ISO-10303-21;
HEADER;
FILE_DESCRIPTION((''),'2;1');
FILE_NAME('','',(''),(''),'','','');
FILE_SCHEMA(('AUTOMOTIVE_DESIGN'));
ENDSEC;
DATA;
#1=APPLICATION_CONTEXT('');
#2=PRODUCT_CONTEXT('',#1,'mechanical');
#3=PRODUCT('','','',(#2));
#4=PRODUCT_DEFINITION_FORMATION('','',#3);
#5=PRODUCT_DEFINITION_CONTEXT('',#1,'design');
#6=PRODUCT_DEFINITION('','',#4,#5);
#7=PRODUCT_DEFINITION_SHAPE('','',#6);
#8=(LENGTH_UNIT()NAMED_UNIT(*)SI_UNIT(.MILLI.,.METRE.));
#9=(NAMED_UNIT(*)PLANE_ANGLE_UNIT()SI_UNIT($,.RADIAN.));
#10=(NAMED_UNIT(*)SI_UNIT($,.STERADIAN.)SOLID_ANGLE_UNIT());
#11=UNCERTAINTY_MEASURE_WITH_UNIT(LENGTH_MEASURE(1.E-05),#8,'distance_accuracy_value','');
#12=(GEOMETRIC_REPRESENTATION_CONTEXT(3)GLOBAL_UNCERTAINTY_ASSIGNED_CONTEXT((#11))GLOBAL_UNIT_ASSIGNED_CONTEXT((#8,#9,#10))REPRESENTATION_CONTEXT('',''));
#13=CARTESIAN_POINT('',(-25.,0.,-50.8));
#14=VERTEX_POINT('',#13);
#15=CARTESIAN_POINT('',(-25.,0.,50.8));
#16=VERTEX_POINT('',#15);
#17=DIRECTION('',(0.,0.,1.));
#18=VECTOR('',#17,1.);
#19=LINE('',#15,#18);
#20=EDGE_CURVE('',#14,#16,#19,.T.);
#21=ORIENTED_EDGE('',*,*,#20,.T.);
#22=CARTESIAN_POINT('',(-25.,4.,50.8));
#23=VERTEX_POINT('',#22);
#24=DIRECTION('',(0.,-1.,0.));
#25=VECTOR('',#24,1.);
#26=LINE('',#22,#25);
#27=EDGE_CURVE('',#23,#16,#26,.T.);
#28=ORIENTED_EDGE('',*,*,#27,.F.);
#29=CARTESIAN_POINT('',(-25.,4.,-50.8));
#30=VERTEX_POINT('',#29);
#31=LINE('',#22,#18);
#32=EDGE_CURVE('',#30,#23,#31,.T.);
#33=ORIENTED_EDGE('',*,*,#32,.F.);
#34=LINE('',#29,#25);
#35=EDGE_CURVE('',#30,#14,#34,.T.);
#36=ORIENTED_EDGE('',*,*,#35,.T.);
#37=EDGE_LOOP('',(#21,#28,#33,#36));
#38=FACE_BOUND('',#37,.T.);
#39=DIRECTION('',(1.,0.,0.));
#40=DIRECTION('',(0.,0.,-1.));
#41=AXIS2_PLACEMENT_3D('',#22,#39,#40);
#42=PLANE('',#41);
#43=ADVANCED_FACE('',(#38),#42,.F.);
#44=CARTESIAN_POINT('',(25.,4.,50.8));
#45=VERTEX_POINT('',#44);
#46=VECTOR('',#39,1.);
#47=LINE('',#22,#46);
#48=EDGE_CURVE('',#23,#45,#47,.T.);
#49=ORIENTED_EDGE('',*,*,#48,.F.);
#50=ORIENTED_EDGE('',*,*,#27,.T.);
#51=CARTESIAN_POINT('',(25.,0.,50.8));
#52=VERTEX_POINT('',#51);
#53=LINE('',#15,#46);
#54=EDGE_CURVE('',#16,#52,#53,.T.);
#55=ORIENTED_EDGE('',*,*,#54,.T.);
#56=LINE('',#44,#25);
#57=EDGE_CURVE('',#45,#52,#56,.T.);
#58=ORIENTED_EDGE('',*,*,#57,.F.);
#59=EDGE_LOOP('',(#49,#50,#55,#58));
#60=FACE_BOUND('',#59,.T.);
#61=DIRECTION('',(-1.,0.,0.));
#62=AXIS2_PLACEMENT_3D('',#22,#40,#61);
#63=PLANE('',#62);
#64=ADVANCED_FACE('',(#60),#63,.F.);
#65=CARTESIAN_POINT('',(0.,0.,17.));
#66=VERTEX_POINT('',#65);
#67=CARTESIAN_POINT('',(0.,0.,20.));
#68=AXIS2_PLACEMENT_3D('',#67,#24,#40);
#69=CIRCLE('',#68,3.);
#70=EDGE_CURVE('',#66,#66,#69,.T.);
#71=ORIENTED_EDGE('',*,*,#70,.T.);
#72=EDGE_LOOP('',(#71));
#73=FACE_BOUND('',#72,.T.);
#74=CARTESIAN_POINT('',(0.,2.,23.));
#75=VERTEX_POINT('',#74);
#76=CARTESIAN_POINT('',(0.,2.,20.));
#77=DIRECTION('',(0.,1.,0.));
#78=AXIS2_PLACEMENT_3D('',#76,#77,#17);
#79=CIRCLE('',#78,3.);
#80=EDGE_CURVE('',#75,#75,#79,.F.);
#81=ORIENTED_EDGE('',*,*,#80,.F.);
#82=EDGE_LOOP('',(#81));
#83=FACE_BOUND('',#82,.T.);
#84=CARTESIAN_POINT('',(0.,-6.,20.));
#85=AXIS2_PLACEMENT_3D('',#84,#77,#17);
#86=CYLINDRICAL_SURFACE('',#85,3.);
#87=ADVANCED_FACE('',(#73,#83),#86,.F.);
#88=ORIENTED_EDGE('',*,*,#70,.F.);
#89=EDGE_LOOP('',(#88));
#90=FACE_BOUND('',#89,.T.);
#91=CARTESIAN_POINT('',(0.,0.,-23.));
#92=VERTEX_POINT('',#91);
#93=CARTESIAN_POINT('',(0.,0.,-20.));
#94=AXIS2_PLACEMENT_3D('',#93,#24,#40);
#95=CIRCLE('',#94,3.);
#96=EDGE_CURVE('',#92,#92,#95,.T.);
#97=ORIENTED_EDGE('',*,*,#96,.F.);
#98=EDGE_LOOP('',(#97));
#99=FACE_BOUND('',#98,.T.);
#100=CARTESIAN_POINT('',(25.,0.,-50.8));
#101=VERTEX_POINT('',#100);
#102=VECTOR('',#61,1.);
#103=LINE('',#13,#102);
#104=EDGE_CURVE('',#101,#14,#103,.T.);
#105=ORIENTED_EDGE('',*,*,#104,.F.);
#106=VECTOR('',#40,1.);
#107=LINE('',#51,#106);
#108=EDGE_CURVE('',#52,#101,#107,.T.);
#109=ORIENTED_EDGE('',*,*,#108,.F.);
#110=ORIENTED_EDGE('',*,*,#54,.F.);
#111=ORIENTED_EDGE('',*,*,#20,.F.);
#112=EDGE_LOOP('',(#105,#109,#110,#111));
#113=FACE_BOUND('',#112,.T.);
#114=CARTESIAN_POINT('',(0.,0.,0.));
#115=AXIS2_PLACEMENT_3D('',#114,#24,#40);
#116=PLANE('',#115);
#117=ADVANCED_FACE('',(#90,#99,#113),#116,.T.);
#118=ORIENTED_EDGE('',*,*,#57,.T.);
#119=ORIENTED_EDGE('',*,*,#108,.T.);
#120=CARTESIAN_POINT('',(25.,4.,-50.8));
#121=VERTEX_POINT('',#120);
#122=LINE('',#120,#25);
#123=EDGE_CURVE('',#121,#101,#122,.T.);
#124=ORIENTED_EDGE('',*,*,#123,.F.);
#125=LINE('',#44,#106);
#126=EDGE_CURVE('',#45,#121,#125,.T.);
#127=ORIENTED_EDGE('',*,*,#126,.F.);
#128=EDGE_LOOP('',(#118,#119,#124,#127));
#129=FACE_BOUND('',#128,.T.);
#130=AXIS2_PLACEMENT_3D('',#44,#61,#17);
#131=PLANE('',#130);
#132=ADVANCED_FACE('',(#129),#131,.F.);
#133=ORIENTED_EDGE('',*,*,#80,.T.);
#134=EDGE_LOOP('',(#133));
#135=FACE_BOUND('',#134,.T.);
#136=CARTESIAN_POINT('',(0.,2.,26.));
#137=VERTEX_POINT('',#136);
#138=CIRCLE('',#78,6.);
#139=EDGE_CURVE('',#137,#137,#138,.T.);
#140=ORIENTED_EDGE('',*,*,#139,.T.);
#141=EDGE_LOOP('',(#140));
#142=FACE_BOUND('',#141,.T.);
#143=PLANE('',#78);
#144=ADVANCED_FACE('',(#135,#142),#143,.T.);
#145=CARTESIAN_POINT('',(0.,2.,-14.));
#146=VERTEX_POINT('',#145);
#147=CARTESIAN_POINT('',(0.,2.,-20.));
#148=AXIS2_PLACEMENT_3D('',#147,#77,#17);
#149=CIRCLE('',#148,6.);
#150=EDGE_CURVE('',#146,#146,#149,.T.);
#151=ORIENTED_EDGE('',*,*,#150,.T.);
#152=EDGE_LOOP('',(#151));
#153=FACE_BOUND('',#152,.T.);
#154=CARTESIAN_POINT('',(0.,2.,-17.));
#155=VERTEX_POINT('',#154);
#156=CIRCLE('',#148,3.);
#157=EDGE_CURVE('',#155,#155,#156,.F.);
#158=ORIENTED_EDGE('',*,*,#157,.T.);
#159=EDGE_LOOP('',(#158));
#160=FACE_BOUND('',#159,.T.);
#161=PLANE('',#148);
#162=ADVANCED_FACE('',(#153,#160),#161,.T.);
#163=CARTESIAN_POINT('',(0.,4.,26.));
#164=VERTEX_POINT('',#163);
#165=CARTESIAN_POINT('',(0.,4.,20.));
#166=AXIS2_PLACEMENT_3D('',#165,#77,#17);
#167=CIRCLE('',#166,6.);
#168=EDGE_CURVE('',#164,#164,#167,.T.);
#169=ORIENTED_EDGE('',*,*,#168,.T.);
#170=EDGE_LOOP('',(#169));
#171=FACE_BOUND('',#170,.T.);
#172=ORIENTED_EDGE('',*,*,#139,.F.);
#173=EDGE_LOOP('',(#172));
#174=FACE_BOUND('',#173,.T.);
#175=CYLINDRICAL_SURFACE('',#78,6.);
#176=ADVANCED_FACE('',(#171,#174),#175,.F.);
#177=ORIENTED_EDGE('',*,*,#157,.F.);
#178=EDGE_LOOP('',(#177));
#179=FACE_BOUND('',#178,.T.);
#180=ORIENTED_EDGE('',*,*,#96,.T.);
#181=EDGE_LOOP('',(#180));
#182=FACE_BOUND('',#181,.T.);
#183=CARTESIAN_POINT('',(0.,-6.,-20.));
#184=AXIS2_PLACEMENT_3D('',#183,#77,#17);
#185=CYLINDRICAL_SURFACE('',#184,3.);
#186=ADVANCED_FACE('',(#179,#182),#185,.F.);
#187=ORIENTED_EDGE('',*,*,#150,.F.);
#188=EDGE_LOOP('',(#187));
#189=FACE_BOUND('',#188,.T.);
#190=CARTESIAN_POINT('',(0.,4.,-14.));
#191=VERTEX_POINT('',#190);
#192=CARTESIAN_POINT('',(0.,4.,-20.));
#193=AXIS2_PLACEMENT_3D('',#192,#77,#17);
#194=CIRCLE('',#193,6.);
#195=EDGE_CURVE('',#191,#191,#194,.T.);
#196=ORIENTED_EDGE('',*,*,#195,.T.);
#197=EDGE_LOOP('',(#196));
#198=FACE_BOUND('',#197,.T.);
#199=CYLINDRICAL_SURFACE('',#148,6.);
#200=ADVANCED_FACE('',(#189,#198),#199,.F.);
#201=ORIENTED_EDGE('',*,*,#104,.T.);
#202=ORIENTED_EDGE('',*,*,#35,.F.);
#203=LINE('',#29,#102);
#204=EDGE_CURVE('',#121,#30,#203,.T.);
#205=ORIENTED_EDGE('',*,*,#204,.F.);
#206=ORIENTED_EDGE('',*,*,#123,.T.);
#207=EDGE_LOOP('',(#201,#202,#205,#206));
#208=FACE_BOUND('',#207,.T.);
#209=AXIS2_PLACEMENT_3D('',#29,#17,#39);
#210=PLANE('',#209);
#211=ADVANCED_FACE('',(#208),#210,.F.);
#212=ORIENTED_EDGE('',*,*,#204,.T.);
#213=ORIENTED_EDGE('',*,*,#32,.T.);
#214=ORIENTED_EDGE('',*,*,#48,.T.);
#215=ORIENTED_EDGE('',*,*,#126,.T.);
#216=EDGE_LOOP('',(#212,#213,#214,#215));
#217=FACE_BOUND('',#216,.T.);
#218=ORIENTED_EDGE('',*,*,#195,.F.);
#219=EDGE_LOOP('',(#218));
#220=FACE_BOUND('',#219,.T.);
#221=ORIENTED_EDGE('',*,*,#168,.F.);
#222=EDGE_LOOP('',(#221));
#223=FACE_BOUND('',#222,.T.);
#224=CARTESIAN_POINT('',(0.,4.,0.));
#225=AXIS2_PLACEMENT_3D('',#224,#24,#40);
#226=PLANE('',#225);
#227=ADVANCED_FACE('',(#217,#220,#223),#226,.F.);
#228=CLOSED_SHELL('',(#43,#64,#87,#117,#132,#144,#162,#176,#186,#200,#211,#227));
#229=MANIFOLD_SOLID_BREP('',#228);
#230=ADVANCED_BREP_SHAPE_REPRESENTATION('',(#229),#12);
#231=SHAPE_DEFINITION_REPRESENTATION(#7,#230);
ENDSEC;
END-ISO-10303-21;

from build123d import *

# Parameters (mm, degrees)
SKETCH1_W           = 50
SKETCH1_H           = 101.6
BOSS_EXTRUDE1_DEPTH = 4
SKETCH2_R           = 3
CUT_EXTRUDE1_DEPTH  = 10
SKETCH3_R           = 6
CUT_EXTRUDE2_DEPTH  = 2


with BuildPart() as part:
    # Sketch1 → Boss-Extrude1 (new body)
    with BuildSketch(Plane(origin=(0, 0, 0), x_dir=(1, 0, 0), z_dir=(0, 1, 0))):
        Rectangle(SKETCH1_W, SKETCH1_H)
    extrude(amount=BOSS_EXTRUDE1_DEPTH)

    # Sketch2 → Cut-Extrude1 (cut)
    with BuildSketch(Plane(origin=(0, 4, 0), x_dir=(1, 0, 0), z_dir=(0, 1, 0))):
        with Locations((0, 20)):
            Circle(SKETCH2_R)
        with Locations((0, -20)):
            Circle(SKETCH2_R)
    extrude(amount=-CUT_EXTRUDE1_DEPTH, mode=Mode.SUBTRACT)

    # Sketch3 → Cut-Extrude2 (cut)
    with BuildSketch(Plane(origin=(0, 4, 0), x_dir=(1, 0, 0), z_dir=(0, 1, 0))):
        with Locations((0, 20)):
            Circle(SKETCH3_R)
        with Locations((0, -20)):
            Circle(SKETCH3_R)
    extrude(amount=-CUT_EXTRUDE2_DEPTH, mode=Mode.SUBTRACT)


solid = part.part
